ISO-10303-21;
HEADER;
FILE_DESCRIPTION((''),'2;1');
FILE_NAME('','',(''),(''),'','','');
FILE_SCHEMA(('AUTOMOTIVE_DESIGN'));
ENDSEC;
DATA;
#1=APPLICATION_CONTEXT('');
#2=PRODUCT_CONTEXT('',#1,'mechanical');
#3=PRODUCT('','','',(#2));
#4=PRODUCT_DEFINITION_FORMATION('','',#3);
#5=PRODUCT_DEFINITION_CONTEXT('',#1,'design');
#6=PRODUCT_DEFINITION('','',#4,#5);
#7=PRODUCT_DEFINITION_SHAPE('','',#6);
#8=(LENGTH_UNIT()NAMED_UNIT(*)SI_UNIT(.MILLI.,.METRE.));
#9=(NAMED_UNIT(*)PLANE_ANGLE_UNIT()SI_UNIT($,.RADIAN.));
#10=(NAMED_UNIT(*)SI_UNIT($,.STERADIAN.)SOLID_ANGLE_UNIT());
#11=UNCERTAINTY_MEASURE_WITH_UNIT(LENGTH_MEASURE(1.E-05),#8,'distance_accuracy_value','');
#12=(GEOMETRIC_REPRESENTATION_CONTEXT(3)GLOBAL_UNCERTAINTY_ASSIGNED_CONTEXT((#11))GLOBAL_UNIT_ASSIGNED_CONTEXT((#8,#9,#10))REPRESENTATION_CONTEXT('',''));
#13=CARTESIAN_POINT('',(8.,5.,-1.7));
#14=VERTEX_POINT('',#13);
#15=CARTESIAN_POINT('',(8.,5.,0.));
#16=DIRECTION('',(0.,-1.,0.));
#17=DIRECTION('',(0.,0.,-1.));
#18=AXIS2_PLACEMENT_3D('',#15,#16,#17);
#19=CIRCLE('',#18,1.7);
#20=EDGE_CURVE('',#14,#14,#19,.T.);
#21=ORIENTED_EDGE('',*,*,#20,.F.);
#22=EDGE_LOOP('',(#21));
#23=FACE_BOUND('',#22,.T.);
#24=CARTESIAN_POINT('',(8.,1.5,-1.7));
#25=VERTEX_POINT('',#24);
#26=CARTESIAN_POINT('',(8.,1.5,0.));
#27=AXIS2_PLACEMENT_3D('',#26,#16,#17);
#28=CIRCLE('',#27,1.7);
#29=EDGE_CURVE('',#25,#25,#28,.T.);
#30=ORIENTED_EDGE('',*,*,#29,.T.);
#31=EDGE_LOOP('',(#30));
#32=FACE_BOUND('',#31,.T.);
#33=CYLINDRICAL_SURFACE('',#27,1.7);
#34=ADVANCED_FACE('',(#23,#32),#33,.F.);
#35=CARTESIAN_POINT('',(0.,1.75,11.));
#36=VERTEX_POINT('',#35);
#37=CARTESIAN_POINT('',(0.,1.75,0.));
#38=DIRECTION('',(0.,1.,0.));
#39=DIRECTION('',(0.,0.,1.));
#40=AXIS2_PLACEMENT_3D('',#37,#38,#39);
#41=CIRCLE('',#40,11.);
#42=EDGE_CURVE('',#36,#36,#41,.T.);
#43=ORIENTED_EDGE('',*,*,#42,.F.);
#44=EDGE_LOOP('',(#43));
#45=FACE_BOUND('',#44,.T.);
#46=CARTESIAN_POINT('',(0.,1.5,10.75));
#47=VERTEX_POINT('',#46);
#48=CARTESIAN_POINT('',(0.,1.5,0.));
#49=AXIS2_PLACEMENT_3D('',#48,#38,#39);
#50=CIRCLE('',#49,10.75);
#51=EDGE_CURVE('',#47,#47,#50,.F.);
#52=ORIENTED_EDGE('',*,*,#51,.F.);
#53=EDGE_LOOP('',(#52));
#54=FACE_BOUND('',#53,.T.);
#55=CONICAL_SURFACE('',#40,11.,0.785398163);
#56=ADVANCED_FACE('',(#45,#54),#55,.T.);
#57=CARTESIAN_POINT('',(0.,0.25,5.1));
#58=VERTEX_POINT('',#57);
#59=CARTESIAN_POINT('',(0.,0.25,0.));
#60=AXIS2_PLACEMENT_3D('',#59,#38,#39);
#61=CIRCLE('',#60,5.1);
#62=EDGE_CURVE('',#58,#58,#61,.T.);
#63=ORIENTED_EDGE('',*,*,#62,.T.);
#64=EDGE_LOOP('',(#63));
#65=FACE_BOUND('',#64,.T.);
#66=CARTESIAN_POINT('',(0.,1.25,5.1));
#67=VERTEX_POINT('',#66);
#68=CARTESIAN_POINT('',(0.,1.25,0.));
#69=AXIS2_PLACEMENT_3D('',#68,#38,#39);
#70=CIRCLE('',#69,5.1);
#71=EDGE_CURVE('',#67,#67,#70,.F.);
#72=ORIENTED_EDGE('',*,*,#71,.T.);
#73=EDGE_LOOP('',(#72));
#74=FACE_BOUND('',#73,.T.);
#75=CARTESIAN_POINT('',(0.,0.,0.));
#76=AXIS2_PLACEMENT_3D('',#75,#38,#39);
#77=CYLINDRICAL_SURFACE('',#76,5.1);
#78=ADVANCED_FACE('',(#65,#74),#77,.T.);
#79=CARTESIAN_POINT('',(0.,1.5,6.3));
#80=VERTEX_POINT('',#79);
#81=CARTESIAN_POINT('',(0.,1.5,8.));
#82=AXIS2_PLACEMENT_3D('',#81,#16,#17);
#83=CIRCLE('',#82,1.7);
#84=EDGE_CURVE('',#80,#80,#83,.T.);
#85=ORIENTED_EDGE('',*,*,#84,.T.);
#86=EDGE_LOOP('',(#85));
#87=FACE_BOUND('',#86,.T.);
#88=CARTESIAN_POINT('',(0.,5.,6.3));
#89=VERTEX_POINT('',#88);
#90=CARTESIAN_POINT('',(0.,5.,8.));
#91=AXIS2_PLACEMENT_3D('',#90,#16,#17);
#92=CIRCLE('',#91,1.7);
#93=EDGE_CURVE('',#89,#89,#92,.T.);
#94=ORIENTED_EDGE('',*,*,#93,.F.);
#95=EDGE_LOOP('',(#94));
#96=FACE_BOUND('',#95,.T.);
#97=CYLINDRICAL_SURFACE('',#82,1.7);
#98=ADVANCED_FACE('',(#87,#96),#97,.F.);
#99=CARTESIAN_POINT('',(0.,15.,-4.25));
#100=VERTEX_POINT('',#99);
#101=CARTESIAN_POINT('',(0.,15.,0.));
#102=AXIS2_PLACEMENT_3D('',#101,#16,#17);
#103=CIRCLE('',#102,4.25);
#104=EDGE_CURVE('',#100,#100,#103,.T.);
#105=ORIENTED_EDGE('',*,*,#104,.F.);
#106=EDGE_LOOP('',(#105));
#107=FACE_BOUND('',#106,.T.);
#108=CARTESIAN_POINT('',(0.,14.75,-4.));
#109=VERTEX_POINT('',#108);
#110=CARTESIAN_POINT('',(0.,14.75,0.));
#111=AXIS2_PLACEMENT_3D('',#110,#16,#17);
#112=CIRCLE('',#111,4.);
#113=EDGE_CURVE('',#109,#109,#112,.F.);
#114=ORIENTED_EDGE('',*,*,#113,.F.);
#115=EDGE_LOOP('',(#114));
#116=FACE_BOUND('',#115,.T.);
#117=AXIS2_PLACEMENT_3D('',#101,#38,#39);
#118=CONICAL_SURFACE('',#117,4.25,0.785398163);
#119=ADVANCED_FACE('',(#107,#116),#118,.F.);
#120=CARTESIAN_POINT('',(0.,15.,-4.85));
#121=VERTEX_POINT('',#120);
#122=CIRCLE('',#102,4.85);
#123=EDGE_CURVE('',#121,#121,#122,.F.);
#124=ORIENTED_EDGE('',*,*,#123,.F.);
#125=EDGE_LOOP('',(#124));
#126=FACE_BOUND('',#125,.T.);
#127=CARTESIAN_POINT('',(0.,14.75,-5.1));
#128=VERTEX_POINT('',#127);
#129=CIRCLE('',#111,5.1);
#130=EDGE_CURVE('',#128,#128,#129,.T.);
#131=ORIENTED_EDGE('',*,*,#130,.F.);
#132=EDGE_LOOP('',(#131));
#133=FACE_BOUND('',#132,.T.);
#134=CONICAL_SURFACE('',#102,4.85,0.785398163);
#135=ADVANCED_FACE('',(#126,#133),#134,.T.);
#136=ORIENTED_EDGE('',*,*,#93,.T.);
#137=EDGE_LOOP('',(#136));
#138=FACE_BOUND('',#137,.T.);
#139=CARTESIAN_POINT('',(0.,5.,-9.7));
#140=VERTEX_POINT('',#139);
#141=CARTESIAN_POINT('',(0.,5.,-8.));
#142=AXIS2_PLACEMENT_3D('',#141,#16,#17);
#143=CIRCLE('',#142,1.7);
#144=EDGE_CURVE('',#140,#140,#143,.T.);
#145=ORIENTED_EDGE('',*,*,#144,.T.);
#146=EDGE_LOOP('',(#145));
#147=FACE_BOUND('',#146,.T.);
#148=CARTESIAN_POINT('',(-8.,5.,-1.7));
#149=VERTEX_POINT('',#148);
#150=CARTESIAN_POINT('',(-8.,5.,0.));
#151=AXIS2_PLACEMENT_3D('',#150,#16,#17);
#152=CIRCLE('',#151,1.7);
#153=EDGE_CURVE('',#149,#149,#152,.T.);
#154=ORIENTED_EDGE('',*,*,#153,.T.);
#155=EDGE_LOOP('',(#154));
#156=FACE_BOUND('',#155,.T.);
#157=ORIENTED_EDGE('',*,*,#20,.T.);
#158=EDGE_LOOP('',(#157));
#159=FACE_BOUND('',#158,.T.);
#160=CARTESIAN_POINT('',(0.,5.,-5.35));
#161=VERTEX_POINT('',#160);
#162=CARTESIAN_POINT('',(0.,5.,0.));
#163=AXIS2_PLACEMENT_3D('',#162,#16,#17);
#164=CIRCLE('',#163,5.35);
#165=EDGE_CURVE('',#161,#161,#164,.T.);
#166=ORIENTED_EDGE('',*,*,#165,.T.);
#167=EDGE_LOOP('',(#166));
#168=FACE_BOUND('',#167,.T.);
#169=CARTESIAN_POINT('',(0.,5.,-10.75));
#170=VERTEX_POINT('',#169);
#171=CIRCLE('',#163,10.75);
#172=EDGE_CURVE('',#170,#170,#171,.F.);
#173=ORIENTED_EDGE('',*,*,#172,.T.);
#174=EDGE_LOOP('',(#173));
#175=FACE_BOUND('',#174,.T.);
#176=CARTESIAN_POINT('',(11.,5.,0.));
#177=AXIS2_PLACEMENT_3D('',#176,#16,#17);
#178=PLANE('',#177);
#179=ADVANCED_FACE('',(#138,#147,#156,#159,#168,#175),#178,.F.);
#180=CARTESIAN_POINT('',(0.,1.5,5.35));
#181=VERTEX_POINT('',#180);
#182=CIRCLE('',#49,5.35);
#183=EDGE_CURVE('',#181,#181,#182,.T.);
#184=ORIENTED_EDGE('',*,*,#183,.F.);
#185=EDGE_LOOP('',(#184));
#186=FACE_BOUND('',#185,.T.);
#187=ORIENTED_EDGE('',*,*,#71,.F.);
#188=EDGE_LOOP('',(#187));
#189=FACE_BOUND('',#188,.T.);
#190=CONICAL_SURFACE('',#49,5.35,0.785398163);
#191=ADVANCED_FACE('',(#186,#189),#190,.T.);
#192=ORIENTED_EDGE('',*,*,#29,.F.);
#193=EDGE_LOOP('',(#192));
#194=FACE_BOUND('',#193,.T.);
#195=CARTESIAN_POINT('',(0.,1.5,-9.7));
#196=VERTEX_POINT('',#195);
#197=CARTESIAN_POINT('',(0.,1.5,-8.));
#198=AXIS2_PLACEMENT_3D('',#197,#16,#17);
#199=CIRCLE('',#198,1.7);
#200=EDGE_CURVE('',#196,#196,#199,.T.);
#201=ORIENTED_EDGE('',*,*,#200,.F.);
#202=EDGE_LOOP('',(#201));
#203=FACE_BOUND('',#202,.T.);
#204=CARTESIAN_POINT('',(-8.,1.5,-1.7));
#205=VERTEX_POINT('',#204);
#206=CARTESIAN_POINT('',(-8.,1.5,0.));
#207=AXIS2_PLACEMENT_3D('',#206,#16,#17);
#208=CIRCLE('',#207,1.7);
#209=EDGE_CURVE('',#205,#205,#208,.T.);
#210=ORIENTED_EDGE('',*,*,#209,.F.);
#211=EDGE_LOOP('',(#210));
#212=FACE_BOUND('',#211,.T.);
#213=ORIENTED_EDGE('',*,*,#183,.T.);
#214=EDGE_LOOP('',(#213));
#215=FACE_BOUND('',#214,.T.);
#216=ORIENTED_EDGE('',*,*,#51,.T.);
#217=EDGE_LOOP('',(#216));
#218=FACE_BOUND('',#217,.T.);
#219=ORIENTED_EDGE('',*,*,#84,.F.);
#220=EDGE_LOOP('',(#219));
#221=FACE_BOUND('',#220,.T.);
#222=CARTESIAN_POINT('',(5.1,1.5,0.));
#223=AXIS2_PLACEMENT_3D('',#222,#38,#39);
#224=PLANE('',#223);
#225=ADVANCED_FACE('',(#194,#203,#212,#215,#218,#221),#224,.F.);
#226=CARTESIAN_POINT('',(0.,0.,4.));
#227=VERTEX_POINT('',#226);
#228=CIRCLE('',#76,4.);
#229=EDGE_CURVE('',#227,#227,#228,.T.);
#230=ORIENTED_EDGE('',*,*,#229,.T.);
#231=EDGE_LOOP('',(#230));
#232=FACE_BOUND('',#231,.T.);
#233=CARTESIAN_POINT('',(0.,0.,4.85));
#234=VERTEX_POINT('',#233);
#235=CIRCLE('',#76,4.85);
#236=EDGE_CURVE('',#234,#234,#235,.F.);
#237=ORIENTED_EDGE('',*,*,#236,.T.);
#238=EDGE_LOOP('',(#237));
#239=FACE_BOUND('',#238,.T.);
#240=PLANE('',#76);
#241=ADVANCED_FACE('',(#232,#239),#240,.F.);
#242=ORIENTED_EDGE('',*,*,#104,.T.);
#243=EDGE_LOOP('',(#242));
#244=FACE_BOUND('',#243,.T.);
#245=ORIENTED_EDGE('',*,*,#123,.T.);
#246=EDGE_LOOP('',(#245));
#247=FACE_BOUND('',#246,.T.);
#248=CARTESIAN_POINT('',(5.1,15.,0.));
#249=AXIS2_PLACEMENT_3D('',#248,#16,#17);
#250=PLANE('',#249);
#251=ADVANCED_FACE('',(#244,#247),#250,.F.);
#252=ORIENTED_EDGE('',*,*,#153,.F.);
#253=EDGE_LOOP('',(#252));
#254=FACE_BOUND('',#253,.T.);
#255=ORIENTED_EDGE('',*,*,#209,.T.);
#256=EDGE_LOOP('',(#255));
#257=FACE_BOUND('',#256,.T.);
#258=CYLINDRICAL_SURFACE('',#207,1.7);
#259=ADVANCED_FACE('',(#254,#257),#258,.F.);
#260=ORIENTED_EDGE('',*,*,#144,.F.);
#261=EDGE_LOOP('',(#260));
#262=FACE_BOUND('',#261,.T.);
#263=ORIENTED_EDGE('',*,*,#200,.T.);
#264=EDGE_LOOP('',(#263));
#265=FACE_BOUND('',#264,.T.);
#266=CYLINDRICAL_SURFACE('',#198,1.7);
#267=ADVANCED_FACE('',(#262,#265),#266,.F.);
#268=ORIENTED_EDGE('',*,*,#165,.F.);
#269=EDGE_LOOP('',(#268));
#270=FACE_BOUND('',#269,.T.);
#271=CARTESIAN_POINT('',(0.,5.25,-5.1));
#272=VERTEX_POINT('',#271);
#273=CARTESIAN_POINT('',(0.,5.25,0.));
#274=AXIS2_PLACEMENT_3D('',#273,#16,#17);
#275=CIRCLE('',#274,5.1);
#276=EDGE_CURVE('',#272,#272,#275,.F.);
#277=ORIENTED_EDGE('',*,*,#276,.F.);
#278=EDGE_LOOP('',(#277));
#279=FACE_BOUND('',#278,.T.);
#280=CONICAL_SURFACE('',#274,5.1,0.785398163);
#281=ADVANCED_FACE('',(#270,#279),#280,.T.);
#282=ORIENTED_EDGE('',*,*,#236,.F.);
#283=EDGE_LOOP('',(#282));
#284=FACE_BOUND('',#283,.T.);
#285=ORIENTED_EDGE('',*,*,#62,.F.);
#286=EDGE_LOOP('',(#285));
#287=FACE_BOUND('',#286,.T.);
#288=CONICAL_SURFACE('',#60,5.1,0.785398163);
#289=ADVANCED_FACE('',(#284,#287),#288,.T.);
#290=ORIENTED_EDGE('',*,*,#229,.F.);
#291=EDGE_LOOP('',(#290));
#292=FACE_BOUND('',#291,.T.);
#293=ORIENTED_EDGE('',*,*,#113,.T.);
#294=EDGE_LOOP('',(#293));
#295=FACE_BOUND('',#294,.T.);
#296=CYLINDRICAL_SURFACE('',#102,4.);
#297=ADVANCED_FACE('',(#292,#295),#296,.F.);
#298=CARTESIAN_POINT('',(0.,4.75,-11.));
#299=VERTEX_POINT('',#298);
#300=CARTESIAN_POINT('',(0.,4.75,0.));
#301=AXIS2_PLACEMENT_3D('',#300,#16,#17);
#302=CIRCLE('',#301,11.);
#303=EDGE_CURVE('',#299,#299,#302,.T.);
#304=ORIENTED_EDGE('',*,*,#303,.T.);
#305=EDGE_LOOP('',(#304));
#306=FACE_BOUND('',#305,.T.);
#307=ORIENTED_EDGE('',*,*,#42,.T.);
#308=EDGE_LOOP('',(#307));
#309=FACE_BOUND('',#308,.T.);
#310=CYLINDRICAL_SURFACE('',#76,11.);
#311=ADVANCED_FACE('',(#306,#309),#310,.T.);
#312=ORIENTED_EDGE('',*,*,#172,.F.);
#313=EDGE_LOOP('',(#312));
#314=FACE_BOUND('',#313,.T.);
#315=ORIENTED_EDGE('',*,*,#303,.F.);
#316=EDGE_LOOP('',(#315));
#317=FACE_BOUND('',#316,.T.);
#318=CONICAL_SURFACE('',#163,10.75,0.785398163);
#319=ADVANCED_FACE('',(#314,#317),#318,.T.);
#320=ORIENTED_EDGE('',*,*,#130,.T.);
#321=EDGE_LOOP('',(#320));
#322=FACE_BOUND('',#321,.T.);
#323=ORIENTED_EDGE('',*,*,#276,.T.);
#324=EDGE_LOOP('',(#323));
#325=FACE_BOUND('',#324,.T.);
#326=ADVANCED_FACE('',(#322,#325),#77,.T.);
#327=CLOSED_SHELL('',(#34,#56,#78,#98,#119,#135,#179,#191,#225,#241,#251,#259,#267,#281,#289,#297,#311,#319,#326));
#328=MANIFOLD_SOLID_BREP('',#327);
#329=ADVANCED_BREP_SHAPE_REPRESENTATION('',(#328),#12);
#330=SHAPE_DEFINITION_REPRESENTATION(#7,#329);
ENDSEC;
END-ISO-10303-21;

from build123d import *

# Parameters (mm, degrees)
CUT_EXTRUDE1_DEPTH       = 22.610182785
CUT_EXTRUDE1_DEPTH_BACK  = 22.610182785
SKETCH2_R                = 4
M3_CLEARANCE_HOLE1_D     = 3.4
M3_CLEARANCE_HOLE1_DEPTH = 10
M3_CLEARANCE_HOLE1_TIP   = 1.021463052
CHAMFER1_SIZE            = 0.25


with BuildPart() as part:
    # Sketch1 → Revolve1 (revolve)
    with BuildSketch(Plane.XY, mode=Mode.PRIVATE) as revolve1_sk:
        Polygon((0, 0), (5.1, 0), (5.1, 1.5), (11, 1.5), (11, 5), (5.1, 5), (5.1, 15), (0, 15), align=None)
    revolve(revolve1_sk.sketch.rotate(Axis((0, 0, 0), (0, -1, 0)), 90), axis=Axis((0, 0, 0), (0, -1, 0)))

    # Sketch2 → Cut-Extrude1 (cut, two sides: drawn at the far end of the back side and taken through both)
    with BuildSketch(Plane.XZ.offset(-CUT_EXTRUDE1_DEPTH_BACK)):
        with Locations(Location((0, 0, 0), (0, 0, 270))):
            Circle(SKETCH2_R)
    extrude(amount=CUT_EXTRUDE1_DEPTH + CUT_EXTRUDE1_DEPTH_BACK, mode=Mode.SUBTRACT)

    # M3 Clearance Hole1
    with Locations(Plane.XZ.offset(-1.5)):
        with Locations((0, 8), (8, 0), (0, -8), (-8, 0), (0, 0)):
            Hole(M3_CLEARANCE_HOLE1_D / 2, depth=M3_CLEARANCE_HOLE1_DEPTH)
            with Locations((0, 0, -(M3_CLEARANCE_HOLE1_DEPTH + M3_CLEARANCE_HOLE1_TIP / 2))):  # 118° drill point
                Cone(0, M3_CLEARANCE_HOLE1_D / 2, M3_CLEARANCE_HOLE1_TIP, mode=Mode.SUBTRACT)

    # Chamfer1
    chamfer1_edges = [part.edges().sort_by_distance(p)[0] for p in [
        (0, 15, 4),
        (0, 15, -5.1),
        (0, 5, -5.1),
        (0, 5, -11),
        (0, 1.5, -11),
        (0, 1.5, -5.1),
        (0, 0, -5.1),
    ]]
    chamfer(chamfer1_edges, length=CHAMFER1_SIZE)


solid = part.part
